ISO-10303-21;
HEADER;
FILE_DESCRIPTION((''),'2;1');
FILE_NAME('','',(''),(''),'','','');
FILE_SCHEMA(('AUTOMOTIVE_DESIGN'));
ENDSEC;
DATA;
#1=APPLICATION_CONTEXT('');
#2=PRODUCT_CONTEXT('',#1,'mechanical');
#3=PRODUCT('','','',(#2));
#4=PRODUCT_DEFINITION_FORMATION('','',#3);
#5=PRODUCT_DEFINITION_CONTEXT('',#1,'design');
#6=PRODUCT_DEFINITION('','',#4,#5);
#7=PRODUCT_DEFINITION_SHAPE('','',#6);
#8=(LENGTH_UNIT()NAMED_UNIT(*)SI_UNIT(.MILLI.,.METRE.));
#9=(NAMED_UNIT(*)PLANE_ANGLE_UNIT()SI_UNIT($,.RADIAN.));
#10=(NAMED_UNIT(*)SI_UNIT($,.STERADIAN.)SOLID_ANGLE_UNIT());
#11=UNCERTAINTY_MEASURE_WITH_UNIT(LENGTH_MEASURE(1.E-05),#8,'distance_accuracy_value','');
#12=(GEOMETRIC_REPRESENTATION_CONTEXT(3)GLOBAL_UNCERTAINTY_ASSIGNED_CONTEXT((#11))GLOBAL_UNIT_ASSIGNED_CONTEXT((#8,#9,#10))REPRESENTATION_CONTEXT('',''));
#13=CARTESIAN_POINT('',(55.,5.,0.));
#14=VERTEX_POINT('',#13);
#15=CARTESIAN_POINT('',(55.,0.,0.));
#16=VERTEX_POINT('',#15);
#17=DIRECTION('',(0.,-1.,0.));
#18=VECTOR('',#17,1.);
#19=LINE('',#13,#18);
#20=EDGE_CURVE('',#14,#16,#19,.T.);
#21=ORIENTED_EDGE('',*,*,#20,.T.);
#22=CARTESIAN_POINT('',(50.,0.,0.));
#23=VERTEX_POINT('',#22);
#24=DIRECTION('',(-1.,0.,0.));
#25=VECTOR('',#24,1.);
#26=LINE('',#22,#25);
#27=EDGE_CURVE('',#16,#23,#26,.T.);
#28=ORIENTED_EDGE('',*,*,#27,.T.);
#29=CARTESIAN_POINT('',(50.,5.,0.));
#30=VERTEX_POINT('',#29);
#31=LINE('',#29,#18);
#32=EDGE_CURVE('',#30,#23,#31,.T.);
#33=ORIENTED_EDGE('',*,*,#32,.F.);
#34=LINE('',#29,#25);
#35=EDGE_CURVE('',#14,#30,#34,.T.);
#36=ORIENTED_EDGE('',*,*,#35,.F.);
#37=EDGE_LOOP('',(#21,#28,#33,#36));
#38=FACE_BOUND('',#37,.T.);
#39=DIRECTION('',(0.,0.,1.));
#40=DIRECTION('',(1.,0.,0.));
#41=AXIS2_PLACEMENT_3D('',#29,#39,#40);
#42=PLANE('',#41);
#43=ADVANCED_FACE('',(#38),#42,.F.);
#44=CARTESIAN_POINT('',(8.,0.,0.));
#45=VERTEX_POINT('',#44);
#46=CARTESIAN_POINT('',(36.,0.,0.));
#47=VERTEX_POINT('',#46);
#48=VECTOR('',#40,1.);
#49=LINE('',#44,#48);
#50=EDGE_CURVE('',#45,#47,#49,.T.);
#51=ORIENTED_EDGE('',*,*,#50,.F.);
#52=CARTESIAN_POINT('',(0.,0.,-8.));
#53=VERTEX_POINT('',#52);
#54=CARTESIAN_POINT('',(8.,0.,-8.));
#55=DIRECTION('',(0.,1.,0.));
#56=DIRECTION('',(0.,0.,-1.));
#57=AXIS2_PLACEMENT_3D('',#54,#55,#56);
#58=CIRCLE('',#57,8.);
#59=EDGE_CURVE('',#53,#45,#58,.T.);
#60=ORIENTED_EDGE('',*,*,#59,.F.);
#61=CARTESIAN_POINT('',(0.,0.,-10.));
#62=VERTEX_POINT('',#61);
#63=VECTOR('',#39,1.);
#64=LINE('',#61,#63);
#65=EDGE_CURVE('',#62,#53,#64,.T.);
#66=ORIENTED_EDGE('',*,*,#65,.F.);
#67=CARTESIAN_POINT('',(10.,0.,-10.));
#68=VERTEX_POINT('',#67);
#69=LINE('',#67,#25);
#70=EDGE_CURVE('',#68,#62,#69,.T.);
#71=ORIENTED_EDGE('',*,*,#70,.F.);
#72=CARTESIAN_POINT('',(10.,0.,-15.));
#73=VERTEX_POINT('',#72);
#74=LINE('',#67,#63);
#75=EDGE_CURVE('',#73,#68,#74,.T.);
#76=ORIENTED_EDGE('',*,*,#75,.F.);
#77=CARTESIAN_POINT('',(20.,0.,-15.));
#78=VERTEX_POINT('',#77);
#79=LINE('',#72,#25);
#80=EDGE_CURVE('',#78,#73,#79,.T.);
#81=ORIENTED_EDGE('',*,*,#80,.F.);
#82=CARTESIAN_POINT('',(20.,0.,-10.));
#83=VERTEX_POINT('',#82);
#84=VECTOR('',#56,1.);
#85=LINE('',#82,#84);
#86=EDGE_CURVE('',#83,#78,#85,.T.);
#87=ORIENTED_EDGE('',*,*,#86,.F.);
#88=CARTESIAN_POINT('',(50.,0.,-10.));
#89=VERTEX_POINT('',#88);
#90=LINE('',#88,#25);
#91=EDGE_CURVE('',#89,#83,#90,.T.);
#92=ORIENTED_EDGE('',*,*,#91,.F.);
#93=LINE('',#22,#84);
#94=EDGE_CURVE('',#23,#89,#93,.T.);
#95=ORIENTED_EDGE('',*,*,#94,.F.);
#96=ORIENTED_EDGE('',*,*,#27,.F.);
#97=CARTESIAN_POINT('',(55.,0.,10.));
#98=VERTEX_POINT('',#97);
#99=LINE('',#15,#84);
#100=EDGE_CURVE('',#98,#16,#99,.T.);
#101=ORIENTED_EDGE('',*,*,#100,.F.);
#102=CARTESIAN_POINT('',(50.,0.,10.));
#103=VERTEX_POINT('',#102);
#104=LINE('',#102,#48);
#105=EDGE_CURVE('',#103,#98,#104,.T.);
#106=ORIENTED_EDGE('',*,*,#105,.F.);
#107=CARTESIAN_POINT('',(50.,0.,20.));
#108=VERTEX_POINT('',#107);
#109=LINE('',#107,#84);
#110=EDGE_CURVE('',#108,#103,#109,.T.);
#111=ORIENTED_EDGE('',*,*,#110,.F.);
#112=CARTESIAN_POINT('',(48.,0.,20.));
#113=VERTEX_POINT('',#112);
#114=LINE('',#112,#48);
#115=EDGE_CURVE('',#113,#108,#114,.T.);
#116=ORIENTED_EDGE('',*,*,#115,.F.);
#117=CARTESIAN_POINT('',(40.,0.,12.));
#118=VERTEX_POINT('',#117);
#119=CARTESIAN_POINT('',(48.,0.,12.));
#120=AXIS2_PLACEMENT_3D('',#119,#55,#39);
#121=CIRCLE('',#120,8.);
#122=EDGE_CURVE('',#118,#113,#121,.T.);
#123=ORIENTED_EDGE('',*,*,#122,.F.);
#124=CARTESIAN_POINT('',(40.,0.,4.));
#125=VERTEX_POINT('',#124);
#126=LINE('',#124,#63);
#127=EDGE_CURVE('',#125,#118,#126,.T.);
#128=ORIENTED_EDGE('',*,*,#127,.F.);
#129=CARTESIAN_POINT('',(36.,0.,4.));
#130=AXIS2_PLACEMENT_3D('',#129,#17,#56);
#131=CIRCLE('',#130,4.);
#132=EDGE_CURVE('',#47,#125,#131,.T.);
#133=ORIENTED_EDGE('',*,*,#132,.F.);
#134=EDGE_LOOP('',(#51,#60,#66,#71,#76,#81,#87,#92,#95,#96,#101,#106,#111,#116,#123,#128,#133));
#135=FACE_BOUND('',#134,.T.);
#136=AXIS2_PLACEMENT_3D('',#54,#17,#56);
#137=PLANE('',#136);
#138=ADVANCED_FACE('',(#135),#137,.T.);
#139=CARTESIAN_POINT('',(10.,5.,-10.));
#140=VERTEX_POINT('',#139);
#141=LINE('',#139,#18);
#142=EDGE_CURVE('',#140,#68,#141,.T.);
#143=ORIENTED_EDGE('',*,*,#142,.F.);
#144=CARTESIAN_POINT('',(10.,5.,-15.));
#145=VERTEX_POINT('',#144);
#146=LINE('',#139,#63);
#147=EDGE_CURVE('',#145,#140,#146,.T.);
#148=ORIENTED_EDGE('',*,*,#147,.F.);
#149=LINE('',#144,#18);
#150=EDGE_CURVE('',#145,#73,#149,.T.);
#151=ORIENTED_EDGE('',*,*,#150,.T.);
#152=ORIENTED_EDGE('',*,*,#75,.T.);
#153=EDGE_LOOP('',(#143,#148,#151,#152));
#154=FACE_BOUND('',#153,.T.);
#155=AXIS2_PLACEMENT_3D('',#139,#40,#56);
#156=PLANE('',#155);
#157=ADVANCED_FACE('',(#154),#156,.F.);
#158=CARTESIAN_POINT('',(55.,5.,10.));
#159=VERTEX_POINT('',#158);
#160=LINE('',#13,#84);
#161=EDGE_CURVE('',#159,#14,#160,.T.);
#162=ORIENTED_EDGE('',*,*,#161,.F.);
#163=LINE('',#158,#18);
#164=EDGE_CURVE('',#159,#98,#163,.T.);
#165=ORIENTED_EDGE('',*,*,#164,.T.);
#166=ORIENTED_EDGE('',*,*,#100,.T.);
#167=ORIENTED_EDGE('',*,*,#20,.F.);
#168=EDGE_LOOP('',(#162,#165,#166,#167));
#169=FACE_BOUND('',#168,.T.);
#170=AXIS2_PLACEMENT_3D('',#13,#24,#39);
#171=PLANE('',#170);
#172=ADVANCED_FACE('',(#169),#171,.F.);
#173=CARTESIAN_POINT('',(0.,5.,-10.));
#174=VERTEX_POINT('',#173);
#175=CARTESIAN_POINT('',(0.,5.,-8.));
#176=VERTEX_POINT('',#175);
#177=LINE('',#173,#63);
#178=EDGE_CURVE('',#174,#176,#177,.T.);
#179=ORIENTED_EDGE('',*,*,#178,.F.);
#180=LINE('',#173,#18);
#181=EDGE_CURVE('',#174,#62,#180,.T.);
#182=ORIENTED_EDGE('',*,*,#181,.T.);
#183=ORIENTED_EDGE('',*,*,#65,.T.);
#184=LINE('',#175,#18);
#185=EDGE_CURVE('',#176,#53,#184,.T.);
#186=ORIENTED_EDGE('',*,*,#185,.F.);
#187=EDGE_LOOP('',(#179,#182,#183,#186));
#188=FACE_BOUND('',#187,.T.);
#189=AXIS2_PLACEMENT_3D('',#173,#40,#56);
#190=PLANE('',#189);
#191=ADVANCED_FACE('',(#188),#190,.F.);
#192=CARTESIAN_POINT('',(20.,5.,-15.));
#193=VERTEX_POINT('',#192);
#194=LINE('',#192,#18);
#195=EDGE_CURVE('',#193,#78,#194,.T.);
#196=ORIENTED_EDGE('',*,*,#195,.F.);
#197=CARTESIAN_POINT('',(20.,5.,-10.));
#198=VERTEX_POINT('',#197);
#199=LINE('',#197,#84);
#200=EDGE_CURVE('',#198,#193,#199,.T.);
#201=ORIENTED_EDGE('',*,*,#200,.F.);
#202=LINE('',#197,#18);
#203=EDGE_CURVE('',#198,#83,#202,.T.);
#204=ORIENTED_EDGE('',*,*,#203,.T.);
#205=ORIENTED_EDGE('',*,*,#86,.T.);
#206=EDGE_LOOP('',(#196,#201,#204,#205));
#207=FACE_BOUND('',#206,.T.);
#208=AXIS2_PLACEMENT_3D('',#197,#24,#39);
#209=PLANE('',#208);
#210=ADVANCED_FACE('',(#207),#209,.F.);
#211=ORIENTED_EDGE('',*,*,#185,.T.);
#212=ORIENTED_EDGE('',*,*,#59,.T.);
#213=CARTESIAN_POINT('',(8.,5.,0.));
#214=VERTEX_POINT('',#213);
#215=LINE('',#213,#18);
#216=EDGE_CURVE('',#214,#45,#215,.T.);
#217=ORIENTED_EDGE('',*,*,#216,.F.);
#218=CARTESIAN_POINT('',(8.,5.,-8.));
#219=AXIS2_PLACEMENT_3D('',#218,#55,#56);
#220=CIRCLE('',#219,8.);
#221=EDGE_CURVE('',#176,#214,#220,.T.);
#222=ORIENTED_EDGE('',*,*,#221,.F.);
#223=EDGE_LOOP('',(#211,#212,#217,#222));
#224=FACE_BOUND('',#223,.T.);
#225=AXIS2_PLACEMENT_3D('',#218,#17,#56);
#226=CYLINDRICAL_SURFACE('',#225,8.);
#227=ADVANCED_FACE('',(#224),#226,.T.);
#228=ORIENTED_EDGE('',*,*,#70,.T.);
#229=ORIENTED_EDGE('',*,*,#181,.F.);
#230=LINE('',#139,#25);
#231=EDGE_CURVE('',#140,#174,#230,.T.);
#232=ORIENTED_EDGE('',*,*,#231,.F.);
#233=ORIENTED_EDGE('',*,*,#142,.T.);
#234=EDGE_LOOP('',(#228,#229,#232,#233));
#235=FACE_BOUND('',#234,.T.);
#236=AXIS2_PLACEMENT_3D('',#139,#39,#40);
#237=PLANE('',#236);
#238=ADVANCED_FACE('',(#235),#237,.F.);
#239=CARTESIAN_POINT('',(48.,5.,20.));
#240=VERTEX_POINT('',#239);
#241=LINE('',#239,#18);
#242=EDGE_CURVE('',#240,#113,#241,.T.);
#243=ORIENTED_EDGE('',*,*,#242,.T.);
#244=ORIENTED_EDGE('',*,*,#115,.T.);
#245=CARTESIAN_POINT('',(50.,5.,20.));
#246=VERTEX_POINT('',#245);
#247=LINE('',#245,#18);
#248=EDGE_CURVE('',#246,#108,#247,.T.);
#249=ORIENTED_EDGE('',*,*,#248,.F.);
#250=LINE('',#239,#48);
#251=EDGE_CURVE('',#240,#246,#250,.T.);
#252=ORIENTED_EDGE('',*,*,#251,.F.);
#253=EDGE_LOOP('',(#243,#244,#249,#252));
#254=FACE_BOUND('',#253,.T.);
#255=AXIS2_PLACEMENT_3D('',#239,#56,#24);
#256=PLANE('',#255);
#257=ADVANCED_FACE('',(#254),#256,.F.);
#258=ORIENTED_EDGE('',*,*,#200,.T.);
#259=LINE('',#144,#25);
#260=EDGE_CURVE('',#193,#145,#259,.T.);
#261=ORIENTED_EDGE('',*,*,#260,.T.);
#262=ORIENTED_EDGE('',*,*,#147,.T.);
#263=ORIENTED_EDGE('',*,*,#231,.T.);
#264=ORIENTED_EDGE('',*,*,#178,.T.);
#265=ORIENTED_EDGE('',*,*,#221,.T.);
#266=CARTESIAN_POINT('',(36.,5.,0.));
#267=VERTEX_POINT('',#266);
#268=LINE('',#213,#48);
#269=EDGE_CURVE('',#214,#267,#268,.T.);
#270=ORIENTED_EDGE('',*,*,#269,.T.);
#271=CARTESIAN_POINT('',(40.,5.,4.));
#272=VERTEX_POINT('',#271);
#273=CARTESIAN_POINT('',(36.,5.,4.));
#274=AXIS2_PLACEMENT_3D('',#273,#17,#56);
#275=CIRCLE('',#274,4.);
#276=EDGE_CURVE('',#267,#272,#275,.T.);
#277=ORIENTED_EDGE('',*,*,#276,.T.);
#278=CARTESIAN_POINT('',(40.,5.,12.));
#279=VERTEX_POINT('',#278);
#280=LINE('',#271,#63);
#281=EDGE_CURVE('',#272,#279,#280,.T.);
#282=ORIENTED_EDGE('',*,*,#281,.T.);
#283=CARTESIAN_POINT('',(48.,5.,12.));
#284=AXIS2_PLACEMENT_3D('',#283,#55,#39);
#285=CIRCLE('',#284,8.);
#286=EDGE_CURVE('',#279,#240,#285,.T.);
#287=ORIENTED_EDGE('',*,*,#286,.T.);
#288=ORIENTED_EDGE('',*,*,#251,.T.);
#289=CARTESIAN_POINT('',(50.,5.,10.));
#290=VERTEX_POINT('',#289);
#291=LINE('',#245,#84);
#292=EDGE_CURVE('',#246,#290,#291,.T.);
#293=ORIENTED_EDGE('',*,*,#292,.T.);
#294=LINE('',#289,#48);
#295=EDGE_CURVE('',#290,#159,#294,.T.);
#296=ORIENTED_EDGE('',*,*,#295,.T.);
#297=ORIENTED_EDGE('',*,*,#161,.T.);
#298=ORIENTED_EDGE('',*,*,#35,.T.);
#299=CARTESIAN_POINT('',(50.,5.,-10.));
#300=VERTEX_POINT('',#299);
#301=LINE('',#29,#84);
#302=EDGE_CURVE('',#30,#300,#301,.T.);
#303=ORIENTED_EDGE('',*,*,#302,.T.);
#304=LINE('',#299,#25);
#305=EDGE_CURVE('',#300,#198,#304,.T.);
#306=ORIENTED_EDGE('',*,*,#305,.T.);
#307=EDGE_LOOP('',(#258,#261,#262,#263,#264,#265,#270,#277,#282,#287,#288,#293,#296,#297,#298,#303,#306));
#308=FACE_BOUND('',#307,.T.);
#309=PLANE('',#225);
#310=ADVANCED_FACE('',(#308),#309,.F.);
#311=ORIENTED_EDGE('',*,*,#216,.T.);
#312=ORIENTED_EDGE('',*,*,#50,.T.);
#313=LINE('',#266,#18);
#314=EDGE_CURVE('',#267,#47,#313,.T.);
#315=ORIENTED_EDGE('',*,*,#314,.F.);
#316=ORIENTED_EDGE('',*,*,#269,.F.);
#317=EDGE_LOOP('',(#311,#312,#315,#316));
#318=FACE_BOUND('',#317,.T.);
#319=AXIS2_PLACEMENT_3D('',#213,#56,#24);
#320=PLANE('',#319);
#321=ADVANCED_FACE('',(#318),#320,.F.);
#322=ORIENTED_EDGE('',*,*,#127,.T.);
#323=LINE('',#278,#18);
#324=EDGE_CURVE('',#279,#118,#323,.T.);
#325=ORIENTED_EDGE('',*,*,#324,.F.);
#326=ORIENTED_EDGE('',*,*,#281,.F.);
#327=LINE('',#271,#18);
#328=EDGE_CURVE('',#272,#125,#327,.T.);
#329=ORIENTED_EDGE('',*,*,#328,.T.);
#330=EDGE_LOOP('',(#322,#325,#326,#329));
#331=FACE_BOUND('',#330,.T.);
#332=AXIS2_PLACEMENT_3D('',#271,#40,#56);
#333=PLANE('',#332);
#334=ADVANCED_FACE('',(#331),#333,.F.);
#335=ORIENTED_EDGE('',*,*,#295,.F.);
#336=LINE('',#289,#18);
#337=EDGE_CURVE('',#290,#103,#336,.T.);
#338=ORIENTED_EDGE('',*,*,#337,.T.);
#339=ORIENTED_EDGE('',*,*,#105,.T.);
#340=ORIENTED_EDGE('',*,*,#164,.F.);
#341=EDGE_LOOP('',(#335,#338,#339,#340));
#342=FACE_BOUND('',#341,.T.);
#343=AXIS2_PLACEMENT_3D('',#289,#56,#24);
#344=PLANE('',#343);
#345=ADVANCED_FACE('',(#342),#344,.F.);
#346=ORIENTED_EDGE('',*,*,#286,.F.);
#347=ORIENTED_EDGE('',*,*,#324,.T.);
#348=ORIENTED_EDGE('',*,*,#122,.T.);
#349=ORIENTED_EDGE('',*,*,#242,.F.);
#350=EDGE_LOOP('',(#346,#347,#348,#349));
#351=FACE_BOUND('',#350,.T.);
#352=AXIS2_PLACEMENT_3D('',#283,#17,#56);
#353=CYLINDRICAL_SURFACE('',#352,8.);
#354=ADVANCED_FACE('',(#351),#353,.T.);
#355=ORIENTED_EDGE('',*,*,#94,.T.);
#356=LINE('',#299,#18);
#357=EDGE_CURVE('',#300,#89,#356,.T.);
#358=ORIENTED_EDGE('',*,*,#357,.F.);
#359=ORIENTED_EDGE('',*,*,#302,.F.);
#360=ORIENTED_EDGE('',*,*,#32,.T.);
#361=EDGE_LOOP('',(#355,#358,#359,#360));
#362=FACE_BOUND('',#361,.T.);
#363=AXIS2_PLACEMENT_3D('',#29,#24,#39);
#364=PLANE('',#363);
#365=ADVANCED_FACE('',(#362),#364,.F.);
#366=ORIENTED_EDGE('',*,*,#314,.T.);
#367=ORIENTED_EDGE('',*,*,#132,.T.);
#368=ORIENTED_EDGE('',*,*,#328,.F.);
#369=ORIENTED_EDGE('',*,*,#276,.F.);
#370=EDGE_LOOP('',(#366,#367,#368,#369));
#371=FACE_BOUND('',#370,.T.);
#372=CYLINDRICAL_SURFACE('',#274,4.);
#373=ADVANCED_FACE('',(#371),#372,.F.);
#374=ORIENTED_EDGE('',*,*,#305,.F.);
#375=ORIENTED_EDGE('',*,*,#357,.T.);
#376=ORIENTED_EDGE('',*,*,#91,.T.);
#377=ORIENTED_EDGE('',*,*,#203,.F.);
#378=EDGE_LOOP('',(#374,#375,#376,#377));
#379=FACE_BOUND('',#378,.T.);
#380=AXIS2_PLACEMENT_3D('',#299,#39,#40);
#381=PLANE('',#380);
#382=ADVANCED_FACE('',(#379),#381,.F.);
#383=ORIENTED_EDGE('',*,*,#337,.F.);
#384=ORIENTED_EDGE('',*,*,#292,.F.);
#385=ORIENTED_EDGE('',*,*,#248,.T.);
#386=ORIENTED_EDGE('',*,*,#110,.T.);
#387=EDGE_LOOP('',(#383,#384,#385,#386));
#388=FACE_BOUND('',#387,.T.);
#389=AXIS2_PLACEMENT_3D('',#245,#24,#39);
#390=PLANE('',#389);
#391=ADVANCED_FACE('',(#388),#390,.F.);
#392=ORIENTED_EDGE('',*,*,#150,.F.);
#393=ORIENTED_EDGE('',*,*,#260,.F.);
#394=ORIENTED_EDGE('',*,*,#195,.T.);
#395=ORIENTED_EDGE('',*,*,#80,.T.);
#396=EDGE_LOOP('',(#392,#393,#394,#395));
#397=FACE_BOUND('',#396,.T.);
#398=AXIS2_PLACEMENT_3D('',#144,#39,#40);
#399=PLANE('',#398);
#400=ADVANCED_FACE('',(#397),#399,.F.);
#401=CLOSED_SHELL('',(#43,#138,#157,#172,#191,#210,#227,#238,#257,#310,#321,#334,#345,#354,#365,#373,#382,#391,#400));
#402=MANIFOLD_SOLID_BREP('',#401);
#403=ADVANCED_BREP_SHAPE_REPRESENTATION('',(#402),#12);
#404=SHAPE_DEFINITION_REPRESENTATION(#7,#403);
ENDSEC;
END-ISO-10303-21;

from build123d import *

# Parameters (mm, degrees)
EXTRUDE_1_DEPTH = 5


with BuildPart() as part:
    # 草图1 → 凸台-拉伸1 (new body)
    with BuildSketch(Plane(origin=(0, 0, 0), x_dir=(1, 0, 0), z_dir=(0, 1, 0))):
        with BuildLine():
            Line((8, 0), (36, 0))
            ThreePointArc((36, 0), (38.828427125, -1.171572875), (40, -4))
            Line((40, -4), (40, -12))
            ThreePointArc((40, -12), (42.343145751, -17.656854249), (48, -20))
            Line((48, -20), (50, -20))
            Line((50, -20), (50, -10))
            Line((50, -10), (55, -10))
            Line((55, -10), (55, 0))
            Line((55, 0), (50, 0))
            Line((50, 0), (50, 10))
            Line((50, 10), (20, 10))
            Line((20, 10), (20, 15))
            Line((20, 15), (10, 15))
            Line((10, 15), (10, 10))
            Line((10, 10), (0, 10))
            Line((0, 10), (0, 8))
            ThreePointArc((0, 8), (2.343145751, 2.343145751), (8, 0))
        make_face()
    extrude(amount=EXTRUDE_1_DEPTH)


solid = part.part
